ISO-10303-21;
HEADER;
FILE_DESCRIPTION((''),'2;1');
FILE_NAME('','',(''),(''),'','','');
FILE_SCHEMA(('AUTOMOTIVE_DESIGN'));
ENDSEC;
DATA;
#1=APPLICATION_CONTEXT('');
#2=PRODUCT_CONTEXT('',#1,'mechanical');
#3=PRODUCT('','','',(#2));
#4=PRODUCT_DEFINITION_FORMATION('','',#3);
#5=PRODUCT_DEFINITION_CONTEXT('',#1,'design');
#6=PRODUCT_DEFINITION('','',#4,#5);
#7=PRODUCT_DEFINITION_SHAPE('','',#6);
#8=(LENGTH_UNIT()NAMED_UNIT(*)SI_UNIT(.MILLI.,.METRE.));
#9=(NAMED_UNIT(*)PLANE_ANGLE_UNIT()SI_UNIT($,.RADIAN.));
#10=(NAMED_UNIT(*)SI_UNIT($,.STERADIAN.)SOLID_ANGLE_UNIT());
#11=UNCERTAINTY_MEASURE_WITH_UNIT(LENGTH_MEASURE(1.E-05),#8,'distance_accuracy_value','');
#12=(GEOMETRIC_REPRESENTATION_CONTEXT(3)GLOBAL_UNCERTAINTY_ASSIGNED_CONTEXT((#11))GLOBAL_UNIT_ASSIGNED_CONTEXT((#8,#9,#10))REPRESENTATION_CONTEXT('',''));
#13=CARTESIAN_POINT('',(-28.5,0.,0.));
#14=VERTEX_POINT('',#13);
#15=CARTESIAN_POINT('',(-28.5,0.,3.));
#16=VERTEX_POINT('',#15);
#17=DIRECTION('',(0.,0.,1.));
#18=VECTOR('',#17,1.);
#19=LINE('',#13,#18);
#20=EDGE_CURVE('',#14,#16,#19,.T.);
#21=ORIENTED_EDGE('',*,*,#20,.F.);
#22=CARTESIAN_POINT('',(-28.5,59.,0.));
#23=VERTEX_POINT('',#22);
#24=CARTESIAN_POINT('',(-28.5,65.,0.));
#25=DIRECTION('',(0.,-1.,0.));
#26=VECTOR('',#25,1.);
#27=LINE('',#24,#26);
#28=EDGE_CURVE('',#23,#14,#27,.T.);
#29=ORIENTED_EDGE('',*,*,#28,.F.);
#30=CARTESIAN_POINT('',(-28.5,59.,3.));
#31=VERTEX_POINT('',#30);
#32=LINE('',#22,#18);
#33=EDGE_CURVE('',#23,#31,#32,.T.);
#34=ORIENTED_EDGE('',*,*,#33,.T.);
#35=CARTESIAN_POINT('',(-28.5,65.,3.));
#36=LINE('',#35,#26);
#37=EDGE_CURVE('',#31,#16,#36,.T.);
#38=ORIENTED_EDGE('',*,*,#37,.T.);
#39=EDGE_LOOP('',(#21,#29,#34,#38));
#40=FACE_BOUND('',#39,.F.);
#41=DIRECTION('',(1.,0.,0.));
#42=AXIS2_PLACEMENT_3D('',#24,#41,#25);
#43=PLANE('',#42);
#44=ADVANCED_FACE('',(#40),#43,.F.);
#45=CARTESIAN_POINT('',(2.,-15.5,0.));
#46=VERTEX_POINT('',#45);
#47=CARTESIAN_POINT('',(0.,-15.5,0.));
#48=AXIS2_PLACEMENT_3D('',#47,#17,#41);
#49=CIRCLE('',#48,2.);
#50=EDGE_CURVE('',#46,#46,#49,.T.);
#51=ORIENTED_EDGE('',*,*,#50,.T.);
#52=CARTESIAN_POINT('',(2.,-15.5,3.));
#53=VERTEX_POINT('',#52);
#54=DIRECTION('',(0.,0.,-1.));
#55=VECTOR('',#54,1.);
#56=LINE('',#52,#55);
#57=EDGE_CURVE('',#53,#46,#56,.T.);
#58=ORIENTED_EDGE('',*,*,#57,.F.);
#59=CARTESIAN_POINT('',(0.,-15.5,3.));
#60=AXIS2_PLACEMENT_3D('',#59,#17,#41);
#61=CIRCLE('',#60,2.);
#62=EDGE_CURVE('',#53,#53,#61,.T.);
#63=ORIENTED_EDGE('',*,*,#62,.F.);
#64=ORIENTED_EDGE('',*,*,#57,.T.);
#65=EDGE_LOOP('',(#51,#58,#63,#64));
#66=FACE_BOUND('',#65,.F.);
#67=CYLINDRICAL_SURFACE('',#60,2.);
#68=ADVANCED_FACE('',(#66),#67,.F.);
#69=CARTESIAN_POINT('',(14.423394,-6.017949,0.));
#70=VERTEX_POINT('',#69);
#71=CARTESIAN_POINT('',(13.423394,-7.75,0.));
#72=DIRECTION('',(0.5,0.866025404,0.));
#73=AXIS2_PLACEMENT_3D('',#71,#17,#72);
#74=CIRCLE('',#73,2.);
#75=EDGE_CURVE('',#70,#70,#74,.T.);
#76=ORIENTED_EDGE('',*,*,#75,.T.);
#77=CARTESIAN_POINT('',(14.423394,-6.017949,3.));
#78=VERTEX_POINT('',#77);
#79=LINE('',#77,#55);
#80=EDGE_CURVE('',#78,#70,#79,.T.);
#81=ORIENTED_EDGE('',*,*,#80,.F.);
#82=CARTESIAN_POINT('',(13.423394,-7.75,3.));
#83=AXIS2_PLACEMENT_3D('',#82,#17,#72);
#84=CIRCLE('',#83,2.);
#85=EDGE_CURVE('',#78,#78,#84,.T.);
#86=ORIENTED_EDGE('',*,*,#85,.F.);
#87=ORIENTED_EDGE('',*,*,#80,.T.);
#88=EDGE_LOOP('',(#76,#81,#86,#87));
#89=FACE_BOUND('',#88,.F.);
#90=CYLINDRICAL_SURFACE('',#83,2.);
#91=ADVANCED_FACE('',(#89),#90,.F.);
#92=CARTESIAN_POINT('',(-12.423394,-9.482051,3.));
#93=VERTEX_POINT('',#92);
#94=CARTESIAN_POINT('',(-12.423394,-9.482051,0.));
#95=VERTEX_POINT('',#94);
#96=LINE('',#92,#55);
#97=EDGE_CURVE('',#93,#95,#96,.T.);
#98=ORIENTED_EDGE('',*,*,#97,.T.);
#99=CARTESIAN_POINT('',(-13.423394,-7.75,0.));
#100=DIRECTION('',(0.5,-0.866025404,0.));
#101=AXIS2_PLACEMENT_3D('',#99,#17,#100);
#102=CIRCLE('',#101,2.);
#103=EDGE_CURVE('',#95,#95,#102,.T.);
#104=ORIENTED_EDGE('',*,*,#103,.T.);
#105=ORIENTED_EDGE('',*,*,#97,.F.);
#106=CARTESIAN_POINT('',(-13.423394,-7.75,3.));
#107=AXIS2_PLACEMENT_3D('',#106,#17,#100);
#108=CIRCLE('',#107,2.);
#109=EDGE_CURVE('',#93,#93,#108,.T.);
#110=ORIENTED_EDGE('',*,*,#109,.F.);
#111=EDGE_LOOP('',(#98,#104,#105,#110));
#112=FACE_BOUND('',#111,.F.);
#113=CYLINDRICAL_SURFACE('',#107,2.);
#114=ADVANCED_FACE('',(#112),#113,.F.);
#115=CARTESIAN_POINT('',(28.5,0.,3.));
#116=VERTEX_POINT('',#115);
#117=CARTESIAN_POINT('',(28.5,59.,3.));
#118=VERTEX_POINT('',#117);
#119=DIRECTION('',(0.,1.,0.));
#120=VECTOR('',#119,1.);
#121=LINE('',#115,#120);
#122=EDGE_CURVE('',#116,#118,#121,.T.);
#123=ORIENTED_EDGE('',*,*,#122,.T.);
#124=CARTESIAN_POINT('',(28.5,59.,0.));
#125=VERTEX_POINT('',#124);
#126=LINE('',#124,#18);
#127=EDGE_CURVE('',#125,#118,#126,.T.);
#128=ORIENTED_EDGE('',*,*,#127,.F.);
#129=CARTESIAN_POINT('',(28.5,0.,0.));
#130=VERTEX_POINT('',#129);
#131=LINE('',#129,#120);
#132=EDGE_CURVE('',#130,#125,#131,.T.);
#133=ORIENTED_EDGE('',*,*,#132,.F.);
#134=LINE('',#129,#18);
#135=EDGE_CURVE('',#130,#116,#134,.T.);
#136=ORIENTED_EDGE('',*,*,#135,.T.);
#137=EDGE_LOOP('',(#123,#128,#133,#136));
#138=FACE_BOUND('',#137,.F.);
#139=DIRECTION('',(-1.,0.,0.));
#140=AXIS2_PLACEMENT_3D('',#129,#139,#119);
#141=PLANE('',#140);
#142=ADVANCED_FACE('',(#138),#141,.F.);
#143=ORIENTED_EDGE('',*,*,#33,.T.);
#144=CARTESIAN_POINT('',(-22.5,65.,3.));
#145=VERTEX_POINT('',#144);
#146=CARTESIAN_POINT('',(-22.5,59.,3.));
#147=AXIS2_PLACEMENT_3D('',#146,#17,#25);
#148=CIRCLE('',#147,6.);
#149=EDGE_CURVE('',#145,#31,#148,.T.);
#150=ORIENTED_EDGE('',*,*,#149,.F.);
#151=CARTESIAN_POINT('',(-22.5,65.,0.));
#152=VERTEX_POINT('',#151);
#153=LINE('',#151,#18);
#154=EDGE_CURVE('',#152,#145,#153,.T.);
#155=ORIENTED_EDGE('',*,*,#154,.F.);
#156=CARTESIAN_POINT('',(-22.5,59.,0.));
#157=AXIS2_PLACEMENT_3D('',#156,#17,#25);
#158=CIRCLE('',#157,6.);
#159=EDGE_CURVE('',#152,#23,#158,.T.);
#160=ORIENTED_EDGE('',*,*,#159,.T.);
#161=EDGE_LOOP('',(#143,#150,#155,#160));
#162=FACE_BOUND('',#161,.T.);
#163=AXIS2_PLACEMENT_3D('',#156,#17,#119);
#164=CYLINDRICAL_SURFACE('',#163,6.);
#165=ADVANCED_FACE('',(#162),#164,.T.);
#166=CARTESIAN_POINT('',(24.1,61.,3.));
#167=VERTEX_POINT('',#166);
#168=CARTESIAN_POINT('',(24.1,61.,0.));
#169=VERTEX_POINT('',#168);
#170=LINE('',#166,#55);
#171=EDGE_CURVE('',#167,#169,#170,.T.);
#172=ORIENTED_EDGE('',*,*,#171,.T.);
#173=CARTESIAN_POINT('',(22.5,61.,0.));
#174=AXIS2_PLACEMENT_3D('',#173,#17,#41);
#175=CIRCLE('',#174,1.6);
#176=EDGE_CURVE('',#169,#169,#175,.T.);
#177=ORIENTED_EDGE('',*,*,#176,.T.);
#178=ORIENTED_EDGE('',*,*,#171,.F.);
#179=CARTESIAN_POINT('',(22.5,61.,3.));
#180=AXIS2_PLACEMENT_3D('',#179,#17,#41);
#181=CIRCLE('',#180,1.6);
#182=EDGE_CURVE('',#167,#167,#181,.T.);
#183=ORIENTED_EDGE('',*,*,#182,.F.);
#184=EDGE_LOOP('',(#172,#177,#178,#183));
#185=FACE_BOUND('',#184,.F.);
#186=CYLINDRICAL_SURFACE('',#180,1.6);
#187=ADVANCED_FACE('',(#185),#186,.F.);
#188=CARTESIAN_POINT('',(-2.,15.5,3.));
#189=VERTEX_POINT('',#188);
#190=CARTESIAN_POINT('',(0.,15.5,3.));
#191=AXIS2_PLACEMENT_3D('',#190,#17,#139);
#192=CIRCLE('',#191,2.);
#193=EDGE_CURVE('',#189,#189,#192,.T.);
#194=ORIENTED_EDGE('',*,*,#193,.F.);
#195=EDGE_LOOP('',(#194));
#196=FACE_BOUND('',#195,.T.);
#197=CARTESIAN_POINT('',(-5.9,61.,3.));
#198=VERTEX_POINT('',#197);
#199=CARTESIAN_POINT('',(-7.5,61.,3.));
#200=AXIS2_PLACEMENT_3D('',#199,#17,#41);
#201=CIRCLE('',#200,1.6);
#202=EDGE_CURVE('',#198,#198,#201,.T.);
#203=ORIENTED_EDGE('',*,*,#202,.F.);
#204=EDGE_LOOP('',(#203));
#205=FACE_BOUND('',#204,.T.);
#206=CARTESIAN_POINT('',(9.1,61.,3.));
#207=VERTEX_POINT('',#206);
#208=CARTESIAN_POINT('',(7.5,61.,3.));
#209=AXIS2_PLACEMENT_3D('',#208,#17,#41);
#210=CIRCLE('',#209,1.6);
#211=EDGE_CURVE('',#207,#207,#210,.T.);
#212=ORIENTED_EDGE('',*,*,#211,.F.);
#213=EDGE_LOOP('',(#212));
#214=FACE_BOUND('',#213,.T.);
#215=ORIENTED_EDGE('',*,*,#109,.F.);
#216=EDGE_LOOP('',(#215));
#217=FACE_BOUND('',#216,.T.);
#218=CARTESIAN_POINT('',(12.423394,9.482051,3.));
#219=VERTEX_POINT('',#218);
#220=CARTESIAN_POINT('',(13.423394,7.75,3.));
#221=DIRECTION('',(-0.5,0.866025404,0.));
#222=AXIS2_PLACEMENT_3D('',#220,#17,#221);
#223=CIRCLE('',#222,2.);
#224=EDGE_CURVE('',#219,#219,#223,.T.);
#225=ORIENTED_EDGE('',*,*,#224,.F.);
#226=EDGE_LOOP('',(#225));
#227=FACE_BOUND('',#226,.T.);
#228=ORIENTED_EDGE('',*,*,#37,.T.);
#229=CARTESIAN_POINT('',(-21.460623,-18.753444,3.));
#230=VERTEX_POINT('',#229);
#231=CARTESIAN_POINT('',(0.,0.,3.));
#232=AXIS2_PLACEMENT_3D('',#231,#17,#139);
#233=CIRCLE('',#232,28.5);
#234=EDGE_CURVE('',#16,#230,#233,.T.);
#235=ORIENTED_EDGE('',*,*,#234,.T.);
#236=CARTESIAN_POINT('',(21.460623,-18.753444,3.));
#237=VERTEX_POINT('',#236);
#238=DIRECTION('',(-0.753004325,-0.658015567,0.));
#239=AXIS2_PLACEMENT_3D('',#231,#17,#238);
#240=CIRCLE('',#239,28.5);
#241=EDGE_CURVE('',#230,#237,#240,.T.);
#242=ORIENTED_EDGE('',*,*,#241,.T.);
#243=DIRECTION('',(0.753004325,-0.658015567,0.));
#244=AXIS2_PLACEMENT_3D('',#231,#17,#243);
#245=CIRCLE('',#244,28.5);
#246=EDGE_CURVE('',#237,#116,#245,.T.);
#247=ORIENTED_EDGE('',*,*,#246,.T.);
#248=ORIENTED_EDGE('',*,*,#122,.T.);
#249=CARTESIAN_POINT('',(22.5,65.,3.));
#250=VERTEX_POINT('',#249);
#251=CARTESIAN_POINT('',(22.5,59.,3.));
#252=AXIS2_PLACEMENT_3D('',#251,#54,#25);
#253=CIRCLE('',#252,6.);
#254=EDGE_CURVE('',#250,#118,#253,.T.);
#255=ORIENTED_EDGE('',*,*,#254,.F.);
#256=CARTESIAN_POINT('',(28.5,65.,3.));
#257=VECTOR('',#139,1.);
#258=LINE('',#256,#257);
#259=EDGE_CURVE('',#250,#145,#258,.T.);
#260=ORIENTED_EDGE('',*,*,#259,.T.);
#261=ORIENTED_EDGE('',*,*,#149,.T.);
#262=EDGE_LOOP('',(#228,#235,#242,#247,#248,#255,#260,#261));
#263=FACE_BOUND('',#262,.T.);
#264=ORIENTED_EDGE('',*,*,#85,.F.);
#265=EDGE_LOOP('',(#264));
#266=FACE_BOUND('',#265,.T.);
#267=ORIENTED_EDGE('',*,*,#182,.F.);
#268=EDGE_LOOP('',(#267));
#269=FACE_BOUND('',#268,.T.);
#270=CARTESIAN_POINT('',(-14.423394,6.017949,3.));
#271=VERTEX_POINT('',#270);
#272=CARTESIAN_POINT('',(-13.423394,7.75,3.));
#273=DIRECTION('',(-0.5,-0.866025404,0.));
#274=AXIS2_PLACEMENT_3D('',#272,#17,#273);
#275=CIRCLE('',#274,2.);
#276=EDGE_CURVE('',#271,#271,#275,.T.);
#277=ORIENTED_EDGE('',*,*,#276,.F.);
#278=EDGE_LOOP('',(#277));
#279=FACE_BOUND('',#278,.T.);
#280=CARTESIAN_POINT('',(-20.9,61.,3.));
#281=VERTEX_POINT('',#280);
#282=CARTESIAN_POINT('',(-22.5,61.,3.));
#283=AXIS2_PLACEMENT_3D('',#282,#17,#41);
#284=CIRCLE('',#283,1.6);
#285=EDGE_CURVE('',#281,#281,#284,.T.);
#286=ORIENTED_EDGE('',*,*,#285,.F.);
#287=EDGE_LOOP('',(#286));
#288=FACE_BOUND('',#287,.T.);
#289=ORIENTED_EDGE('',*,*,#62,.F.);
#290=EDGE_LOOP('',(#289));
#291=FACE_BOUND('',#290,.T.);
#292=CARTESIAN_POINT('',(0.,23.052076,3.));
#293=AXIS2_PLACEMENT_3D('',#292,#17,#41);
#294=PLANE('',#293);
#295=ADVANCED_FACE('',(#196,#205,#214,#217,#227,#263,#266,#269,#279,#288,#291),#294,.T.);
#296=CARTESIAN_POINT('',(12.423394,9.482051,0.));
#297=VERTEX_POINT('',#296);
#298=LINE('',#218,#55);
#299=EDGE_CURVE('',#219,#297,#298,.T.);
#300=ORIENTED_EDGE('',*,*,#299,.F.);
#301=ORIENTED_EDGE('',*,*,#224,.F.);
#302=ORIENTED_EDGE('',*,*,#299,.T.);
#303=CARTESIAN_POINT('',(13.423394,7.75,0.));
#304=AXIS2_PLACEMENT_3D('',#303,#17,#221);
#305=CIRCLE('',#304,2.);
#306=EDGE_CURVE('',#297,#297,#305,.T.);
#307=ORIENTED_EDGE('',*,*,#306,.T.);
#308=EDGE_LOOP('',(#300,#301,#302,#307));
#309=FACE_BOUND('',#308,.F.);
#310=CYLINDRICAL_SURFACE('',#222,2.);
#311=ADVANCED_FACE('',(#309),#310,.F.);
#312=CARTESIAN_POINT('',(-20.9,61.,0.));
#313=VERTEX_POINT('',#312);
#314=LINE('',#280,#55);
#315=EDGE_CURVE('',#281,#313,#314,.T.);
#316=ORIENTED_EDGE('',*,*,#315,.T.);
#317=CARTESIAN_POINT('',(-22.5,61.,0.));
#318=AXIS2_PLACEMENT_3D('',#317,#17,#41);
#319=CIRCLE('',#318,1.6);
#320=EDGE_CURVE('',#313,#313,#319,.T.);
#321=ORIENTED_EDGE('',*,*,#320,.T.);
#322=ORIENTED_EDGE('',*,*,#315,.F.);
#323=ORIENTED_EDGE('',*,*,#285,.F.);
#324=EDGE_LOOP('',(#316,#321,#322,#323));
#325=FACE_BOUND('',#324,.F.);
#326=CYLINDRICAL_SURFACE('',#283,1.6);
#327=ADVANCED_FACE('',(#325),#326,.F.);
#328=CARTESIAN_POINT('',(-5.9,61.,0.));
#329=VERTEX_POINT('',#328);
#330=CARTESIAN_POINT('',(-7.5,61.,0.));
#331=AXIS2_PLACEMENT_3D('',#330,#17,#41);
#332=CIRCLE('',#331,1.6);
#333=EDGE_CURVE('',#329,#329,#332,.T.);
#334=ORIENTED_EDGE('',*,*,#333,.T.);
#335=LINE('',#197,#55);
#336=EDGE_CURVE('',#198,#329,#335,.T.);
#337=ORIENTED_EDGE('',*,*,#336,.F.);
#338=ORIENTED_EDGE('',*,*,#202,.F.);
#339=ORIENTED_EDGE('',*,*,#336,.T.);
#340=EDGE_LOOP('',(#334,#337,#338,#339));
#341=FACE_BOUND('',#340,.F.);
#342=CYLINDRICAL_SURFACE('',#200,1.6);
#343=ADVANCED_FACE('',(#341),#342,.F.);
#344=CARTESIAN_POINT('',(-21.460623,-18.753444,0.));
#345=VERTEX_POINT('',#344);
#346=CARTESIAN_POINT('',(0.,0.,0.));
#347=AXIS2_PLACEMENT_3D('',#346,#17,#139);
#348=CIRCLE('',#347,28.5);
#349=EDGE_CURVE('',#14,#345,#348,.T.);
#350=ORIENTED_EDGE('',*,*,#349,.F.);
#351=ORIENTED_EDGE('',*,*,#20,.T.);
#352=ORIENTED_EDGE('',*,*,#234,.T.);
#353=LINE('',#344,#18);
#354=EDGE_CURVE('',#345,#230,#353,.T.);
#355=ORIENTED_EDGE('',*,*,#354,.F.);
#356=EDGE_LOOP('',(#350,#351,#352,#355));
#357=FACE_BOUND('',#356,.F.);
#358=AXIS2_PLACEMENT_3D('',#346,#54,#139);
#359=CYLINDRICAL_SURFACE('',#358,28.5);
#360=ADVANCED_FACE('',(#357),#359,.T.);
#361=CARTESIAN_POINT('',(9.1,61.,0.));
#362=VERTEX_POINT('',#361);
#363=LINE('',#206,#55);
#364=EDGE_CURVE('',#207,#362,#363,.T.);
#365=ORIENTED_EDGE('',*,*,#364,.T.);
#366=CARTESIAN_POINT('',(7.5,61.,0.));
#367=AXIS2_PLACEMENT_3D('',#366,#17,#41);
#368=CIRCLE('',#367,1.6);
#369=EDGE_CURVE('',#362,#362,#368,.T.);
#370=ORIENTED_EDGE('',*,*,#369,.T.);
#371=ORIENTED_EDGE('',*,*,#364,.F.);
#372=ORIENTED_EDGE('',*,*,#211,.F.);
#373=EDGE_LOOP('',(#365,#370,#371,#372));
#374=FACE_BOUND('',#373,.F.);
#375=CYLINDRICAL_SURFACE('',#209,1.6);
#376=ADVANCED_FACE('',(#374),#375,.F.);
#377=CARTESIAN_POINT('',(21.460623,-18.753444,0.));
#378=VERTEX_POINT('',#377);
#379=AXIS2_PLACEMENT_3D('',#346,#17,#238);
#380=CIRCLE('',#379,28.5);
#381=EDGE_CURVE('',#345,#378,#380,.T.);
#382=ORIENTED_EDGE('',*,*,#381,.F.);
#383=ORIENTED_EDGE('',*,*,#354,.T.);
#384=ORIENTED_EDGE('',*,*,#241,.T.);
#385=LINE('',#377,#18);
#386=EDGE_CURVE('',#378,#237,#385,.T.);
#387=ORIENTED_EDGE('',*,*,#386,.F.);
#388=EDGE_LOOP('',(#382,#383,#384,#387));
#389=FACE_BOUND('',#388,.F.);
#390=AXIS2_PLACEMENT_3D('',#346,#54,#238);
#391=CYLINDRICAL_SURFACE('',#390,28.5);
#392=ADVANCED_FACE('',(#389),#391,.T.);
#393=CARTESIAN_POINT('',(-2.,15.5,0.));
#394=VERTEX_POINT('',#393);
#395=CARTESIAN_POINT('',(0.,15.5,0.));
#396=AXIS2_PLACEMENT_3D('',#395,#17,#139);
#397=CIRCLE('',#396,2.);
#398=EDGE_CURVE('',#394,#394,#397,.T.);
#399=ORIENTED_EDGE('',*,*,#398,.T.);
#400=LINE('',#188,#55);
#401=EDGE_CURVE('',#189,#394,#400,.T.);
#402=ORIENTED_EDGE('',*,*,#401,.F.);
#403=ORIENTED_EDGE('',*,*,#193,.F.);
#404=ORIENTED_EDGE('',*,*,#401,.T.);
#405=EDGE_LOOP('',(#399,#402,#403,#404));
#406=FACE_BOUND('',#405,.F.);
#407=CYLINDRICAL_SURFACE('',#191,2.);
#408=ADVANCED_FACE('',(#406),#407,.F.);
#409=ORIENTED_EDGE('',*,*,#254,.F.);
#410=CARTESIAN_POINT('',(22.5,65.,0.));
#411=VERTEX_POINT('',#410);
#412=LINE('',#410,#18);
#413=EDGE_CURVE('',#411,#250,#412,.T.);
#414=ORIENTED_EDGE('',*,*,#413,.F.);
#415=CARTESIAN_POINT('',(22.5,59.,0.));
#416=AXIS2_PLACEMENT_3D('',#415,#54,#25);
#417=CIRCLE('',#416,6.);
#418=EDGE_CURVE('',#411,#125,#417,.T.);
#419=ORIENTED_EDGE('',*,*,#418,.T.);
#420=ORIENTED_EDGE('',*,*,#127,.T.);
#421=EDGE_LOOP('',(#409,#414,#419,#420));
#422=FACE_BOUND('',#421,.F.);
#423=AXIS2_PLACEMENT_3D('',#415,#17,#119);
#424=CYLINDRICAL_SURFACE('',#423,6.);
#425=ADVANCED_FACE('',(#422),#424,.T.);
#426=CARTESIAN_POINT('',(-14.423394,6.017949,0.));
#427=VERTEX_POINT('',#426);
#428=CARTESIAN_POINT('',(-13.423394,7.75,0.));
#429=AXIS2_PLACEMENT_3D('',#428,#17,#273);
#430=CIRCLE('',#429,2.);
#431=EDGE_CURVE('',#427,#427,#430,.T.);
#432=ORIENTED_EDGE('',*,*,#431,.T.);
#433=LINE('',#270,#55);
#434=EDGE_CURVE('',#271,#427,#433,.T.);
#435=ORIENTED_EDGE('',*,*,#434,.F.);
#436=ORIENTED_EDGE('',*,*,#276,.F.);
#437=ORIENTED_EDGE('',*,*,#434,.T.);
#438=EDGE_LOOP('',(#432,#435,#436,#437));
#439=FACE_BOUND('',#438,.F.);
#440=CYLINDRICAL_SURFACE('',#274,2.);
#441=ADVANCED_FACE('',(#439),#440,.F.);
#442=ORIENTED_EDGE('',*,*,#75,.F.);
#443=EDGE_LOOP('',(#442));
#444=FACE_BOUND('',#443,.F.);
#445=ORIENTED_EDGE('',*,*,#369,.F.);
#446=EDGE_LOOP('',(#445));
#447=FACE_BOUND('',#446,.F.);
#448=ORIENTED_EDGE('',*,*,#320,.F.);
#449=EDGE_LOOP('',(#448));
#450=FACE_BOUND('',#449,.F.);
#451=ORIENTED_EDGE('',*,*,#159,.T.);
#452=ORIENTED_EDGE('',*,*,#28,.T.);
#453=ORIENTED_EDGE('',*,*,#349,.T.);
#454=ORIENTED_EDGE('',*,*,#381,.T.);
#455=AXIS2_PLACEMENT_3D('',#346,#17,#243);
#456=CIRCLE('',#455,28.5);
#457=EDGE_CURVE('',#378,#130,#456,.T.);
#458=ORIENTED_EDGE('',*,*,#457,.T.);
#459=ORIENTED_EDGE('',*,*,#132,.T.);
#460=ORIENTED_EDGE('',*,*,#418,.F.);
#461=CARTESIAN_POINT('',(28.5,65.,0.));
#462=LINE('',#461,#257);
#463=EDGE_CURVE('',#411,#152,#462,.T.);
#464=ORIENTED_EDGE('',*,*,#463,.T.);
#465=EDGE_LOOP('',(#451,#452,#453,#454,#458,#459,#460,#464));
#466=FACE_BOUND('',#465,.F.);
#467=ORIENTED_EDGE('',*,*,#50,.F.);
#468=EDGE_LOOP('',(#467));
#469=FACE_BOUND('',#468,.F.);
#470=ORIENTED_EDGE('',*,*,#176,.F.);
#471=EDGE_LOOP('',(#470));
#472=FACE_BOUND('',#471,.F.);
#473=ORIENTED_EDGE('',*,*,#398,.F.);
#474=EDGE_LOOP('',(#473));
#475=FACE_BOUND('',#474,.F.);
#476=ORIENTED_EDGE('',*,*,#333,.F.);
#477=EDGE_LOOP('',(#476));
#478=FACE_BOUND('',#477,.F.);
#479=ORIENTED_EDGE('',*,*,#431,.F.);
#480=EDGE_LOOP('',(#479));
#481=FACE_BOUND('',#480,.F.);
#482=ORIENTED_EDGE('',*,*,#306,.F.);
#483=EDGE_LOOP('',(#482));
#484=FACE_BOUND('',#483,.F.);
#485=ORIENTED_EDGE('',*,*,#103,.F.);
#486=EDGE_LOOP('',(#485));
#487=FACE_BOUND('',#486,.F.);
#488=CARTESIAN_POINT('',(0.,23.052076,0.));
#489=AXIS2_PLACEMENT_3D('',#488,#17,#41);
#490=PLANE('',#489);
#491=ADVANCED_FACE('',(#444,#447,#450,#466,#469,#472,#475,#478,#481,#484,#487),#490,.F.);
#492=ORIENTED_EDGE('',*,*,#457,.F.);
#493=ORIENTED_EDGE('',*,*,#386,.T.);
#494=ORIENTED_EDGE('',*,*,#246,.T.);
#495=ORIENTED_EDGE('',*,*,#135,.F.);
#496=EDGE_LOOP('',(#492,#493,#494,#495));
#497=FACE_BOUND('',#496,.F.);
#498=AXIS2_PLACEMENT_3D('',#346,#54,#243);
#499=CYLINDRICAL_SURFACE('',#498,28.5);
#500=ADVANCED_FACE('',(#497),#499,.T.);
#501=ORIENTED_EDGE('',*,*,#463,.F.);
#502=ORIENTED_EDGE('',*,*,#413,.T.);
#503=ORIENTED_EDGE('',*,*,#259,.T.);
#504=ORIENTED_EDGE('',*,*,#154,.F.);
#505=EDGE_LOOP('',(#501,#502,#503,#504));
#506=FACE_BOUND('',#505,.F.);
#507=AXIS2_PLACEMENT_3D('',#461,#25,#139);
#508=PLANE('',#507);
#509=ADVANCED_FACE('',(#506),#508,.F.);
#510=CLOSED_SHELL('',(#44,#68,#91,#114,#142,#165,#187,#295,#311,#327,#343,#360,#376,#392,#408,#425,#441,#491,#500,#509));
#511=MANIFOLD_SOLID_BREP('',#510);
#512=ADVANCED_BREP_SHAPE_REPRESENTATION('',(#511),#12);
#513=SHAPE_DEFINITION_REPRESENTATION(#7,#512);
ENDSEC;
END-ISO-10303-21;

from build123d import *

# Parameters (mm, degrees)
EXTRUDE_1_DEPTH          = 3
CUT_EXTRUDE_2_REACH      = 73.037
SKETCH_4_R               = 2
SKETCH_5_OUTSIDE_W       = 80.91
SKETCH_5_OUTSIDE_H       = 117.41
SKETCH_5_OUTSIDE_R       = 1.6
CUT_EXTRUDE_3_DEPTH      = 72.03696221
FILLET_1_R               = 6
FILLET_2_R               = 6
PATTERN_CIRCULAR_1_COUNT = 6


with BuildPart() as part:
    # 草圖1 → 填料-伸長1 (new body)
    with BuildSketch(Plane.XY):
        with BuildLine():
            Line((28.5, 65), (-28.5, 65))
            Line((-28.5, 65), (-28.5, 55))
            Line((-28.5, 55), (-28.5, 0))
            ThreePointArc((-28.5, 0), (-26.682182849, -10.015543839), (-21.46062327, -18.753443653))
            ThreePointArc((-21.46062327, -18.753443653), (0, -28.5), (21.46062327, -18.753443653))
            ThreePointArc((21.46062327, -18.753443653), (26.682182849, -10.015543839), (28.5, 0))
            Line((28.5, 0), (28.5, 55.020450743))
            Line((28.5, 55.020450743), (28.5, 65))
        make_face()
    extrude(amount=EXTRUDE_1_DEPTH)

    # 草圖4 → 除料-伸長2 (cut, up to next)
    with BuildSketch(Plane.XY.offset(3), mode=Mode.PRIVATE) as cut_extrude_2_sk1:
        with Locations((0, -15.5)):
            Circle(SKETCH_4_R)
    cut_extrude_2_tool1 = extrude(cut_extrude_2_sk1.sketch, amount=-CUT_EXTRUDE_2_REACH, mode=Mode.PRIVATE) & part.part
    cut_extrude_2 = cut_extrude_2_tool1.solids().sort_by_distance((0, -15.5, 3))[0]
    add(cut_extrude_2, mode=Mode.SUBTRACT)

    # 草圖5 outside → 除料-伸長3 (cut, through all)
    # profile 1 of 5: a face of its own
    with BuildSketch(Plane.XY.offset(3)):
        with Locations((0, 18.25)):
            Rectangle(SKETCH_5_OUTSIDE_W, SKETCH_5_OUTSIDE_H)
        with BuildLine():
            Line((28.5, 65), (-28.5, 65))
            Line((-28.5, 65), (-28.5, 0))
            ThreePointArc((-28.5, 0), (0, -28.5), (28.5, 0))
            Line((28.5, 0), (28.5, 65))
        make_face(mode=Mode.SUBTRACT)
    # profile 2 of 5: a face of its own
    with BuildSketch(Plane.XY.offset(3)):
        with Locations((22.5, 61)):
            Circle(SKETCH_5_OUTSIDE_R)
    # profile 3 of 5: a face of its own
    with BuildSketch(Plane.XY.offset(3)):
        with Locations((7.5, 61)):
            Circle(SKETCH_5_OUTSIDE_R)
    # profile 4 of 5: a face of its own
    with BuildSketch(Plane.XY.offset(3)):
        with Locations((-7.5, 61)):
            Circle(SKETCH_5_OUTSIDE_R)
    # profile 5 of 5: a face of its own
    with BuildSketch(Plane.XY.offset(3)):
        with Locations((-22.5, 61)):
            Circle(SKETCH_5_OUTSIDE_R)
    extrude(amount=-CUT_EXTRUDE_3_DEPTH, mode=Mode.SUBTRACT)

    # 圓角1
    fillet_1_edges = [part.edges().sort_by_distance(p)[0] for p in [
        (-28.5, 65, 1.5),
    ]]
    fillet(fillet_1_edges, radius=FILLET_1_R)

    # 圓角2
    fillet_2_edges = [part.edges().sort_by_distance(p)[0] for p in [
        (28.5, 65, 1.5),
    ]]
    fillet(fillet_2_edges, radius=FILLET_2_R)

    # 環狀複製排列1: 除料-伸長2 ×6 about axis
    pattern_circular_1_axis = Axis((0, 0, 0), (0, 0, 1))
    for i in range(1, PATTERN_CIRCULAR_1_COUNT):
        add(cut_extrude_2.rotate(pattern_circular_1_axis, i * 360 / PATTERN_CIRCULAR_1_COUNT), mode=Mode.SUBTRACT)


solid = part.part
